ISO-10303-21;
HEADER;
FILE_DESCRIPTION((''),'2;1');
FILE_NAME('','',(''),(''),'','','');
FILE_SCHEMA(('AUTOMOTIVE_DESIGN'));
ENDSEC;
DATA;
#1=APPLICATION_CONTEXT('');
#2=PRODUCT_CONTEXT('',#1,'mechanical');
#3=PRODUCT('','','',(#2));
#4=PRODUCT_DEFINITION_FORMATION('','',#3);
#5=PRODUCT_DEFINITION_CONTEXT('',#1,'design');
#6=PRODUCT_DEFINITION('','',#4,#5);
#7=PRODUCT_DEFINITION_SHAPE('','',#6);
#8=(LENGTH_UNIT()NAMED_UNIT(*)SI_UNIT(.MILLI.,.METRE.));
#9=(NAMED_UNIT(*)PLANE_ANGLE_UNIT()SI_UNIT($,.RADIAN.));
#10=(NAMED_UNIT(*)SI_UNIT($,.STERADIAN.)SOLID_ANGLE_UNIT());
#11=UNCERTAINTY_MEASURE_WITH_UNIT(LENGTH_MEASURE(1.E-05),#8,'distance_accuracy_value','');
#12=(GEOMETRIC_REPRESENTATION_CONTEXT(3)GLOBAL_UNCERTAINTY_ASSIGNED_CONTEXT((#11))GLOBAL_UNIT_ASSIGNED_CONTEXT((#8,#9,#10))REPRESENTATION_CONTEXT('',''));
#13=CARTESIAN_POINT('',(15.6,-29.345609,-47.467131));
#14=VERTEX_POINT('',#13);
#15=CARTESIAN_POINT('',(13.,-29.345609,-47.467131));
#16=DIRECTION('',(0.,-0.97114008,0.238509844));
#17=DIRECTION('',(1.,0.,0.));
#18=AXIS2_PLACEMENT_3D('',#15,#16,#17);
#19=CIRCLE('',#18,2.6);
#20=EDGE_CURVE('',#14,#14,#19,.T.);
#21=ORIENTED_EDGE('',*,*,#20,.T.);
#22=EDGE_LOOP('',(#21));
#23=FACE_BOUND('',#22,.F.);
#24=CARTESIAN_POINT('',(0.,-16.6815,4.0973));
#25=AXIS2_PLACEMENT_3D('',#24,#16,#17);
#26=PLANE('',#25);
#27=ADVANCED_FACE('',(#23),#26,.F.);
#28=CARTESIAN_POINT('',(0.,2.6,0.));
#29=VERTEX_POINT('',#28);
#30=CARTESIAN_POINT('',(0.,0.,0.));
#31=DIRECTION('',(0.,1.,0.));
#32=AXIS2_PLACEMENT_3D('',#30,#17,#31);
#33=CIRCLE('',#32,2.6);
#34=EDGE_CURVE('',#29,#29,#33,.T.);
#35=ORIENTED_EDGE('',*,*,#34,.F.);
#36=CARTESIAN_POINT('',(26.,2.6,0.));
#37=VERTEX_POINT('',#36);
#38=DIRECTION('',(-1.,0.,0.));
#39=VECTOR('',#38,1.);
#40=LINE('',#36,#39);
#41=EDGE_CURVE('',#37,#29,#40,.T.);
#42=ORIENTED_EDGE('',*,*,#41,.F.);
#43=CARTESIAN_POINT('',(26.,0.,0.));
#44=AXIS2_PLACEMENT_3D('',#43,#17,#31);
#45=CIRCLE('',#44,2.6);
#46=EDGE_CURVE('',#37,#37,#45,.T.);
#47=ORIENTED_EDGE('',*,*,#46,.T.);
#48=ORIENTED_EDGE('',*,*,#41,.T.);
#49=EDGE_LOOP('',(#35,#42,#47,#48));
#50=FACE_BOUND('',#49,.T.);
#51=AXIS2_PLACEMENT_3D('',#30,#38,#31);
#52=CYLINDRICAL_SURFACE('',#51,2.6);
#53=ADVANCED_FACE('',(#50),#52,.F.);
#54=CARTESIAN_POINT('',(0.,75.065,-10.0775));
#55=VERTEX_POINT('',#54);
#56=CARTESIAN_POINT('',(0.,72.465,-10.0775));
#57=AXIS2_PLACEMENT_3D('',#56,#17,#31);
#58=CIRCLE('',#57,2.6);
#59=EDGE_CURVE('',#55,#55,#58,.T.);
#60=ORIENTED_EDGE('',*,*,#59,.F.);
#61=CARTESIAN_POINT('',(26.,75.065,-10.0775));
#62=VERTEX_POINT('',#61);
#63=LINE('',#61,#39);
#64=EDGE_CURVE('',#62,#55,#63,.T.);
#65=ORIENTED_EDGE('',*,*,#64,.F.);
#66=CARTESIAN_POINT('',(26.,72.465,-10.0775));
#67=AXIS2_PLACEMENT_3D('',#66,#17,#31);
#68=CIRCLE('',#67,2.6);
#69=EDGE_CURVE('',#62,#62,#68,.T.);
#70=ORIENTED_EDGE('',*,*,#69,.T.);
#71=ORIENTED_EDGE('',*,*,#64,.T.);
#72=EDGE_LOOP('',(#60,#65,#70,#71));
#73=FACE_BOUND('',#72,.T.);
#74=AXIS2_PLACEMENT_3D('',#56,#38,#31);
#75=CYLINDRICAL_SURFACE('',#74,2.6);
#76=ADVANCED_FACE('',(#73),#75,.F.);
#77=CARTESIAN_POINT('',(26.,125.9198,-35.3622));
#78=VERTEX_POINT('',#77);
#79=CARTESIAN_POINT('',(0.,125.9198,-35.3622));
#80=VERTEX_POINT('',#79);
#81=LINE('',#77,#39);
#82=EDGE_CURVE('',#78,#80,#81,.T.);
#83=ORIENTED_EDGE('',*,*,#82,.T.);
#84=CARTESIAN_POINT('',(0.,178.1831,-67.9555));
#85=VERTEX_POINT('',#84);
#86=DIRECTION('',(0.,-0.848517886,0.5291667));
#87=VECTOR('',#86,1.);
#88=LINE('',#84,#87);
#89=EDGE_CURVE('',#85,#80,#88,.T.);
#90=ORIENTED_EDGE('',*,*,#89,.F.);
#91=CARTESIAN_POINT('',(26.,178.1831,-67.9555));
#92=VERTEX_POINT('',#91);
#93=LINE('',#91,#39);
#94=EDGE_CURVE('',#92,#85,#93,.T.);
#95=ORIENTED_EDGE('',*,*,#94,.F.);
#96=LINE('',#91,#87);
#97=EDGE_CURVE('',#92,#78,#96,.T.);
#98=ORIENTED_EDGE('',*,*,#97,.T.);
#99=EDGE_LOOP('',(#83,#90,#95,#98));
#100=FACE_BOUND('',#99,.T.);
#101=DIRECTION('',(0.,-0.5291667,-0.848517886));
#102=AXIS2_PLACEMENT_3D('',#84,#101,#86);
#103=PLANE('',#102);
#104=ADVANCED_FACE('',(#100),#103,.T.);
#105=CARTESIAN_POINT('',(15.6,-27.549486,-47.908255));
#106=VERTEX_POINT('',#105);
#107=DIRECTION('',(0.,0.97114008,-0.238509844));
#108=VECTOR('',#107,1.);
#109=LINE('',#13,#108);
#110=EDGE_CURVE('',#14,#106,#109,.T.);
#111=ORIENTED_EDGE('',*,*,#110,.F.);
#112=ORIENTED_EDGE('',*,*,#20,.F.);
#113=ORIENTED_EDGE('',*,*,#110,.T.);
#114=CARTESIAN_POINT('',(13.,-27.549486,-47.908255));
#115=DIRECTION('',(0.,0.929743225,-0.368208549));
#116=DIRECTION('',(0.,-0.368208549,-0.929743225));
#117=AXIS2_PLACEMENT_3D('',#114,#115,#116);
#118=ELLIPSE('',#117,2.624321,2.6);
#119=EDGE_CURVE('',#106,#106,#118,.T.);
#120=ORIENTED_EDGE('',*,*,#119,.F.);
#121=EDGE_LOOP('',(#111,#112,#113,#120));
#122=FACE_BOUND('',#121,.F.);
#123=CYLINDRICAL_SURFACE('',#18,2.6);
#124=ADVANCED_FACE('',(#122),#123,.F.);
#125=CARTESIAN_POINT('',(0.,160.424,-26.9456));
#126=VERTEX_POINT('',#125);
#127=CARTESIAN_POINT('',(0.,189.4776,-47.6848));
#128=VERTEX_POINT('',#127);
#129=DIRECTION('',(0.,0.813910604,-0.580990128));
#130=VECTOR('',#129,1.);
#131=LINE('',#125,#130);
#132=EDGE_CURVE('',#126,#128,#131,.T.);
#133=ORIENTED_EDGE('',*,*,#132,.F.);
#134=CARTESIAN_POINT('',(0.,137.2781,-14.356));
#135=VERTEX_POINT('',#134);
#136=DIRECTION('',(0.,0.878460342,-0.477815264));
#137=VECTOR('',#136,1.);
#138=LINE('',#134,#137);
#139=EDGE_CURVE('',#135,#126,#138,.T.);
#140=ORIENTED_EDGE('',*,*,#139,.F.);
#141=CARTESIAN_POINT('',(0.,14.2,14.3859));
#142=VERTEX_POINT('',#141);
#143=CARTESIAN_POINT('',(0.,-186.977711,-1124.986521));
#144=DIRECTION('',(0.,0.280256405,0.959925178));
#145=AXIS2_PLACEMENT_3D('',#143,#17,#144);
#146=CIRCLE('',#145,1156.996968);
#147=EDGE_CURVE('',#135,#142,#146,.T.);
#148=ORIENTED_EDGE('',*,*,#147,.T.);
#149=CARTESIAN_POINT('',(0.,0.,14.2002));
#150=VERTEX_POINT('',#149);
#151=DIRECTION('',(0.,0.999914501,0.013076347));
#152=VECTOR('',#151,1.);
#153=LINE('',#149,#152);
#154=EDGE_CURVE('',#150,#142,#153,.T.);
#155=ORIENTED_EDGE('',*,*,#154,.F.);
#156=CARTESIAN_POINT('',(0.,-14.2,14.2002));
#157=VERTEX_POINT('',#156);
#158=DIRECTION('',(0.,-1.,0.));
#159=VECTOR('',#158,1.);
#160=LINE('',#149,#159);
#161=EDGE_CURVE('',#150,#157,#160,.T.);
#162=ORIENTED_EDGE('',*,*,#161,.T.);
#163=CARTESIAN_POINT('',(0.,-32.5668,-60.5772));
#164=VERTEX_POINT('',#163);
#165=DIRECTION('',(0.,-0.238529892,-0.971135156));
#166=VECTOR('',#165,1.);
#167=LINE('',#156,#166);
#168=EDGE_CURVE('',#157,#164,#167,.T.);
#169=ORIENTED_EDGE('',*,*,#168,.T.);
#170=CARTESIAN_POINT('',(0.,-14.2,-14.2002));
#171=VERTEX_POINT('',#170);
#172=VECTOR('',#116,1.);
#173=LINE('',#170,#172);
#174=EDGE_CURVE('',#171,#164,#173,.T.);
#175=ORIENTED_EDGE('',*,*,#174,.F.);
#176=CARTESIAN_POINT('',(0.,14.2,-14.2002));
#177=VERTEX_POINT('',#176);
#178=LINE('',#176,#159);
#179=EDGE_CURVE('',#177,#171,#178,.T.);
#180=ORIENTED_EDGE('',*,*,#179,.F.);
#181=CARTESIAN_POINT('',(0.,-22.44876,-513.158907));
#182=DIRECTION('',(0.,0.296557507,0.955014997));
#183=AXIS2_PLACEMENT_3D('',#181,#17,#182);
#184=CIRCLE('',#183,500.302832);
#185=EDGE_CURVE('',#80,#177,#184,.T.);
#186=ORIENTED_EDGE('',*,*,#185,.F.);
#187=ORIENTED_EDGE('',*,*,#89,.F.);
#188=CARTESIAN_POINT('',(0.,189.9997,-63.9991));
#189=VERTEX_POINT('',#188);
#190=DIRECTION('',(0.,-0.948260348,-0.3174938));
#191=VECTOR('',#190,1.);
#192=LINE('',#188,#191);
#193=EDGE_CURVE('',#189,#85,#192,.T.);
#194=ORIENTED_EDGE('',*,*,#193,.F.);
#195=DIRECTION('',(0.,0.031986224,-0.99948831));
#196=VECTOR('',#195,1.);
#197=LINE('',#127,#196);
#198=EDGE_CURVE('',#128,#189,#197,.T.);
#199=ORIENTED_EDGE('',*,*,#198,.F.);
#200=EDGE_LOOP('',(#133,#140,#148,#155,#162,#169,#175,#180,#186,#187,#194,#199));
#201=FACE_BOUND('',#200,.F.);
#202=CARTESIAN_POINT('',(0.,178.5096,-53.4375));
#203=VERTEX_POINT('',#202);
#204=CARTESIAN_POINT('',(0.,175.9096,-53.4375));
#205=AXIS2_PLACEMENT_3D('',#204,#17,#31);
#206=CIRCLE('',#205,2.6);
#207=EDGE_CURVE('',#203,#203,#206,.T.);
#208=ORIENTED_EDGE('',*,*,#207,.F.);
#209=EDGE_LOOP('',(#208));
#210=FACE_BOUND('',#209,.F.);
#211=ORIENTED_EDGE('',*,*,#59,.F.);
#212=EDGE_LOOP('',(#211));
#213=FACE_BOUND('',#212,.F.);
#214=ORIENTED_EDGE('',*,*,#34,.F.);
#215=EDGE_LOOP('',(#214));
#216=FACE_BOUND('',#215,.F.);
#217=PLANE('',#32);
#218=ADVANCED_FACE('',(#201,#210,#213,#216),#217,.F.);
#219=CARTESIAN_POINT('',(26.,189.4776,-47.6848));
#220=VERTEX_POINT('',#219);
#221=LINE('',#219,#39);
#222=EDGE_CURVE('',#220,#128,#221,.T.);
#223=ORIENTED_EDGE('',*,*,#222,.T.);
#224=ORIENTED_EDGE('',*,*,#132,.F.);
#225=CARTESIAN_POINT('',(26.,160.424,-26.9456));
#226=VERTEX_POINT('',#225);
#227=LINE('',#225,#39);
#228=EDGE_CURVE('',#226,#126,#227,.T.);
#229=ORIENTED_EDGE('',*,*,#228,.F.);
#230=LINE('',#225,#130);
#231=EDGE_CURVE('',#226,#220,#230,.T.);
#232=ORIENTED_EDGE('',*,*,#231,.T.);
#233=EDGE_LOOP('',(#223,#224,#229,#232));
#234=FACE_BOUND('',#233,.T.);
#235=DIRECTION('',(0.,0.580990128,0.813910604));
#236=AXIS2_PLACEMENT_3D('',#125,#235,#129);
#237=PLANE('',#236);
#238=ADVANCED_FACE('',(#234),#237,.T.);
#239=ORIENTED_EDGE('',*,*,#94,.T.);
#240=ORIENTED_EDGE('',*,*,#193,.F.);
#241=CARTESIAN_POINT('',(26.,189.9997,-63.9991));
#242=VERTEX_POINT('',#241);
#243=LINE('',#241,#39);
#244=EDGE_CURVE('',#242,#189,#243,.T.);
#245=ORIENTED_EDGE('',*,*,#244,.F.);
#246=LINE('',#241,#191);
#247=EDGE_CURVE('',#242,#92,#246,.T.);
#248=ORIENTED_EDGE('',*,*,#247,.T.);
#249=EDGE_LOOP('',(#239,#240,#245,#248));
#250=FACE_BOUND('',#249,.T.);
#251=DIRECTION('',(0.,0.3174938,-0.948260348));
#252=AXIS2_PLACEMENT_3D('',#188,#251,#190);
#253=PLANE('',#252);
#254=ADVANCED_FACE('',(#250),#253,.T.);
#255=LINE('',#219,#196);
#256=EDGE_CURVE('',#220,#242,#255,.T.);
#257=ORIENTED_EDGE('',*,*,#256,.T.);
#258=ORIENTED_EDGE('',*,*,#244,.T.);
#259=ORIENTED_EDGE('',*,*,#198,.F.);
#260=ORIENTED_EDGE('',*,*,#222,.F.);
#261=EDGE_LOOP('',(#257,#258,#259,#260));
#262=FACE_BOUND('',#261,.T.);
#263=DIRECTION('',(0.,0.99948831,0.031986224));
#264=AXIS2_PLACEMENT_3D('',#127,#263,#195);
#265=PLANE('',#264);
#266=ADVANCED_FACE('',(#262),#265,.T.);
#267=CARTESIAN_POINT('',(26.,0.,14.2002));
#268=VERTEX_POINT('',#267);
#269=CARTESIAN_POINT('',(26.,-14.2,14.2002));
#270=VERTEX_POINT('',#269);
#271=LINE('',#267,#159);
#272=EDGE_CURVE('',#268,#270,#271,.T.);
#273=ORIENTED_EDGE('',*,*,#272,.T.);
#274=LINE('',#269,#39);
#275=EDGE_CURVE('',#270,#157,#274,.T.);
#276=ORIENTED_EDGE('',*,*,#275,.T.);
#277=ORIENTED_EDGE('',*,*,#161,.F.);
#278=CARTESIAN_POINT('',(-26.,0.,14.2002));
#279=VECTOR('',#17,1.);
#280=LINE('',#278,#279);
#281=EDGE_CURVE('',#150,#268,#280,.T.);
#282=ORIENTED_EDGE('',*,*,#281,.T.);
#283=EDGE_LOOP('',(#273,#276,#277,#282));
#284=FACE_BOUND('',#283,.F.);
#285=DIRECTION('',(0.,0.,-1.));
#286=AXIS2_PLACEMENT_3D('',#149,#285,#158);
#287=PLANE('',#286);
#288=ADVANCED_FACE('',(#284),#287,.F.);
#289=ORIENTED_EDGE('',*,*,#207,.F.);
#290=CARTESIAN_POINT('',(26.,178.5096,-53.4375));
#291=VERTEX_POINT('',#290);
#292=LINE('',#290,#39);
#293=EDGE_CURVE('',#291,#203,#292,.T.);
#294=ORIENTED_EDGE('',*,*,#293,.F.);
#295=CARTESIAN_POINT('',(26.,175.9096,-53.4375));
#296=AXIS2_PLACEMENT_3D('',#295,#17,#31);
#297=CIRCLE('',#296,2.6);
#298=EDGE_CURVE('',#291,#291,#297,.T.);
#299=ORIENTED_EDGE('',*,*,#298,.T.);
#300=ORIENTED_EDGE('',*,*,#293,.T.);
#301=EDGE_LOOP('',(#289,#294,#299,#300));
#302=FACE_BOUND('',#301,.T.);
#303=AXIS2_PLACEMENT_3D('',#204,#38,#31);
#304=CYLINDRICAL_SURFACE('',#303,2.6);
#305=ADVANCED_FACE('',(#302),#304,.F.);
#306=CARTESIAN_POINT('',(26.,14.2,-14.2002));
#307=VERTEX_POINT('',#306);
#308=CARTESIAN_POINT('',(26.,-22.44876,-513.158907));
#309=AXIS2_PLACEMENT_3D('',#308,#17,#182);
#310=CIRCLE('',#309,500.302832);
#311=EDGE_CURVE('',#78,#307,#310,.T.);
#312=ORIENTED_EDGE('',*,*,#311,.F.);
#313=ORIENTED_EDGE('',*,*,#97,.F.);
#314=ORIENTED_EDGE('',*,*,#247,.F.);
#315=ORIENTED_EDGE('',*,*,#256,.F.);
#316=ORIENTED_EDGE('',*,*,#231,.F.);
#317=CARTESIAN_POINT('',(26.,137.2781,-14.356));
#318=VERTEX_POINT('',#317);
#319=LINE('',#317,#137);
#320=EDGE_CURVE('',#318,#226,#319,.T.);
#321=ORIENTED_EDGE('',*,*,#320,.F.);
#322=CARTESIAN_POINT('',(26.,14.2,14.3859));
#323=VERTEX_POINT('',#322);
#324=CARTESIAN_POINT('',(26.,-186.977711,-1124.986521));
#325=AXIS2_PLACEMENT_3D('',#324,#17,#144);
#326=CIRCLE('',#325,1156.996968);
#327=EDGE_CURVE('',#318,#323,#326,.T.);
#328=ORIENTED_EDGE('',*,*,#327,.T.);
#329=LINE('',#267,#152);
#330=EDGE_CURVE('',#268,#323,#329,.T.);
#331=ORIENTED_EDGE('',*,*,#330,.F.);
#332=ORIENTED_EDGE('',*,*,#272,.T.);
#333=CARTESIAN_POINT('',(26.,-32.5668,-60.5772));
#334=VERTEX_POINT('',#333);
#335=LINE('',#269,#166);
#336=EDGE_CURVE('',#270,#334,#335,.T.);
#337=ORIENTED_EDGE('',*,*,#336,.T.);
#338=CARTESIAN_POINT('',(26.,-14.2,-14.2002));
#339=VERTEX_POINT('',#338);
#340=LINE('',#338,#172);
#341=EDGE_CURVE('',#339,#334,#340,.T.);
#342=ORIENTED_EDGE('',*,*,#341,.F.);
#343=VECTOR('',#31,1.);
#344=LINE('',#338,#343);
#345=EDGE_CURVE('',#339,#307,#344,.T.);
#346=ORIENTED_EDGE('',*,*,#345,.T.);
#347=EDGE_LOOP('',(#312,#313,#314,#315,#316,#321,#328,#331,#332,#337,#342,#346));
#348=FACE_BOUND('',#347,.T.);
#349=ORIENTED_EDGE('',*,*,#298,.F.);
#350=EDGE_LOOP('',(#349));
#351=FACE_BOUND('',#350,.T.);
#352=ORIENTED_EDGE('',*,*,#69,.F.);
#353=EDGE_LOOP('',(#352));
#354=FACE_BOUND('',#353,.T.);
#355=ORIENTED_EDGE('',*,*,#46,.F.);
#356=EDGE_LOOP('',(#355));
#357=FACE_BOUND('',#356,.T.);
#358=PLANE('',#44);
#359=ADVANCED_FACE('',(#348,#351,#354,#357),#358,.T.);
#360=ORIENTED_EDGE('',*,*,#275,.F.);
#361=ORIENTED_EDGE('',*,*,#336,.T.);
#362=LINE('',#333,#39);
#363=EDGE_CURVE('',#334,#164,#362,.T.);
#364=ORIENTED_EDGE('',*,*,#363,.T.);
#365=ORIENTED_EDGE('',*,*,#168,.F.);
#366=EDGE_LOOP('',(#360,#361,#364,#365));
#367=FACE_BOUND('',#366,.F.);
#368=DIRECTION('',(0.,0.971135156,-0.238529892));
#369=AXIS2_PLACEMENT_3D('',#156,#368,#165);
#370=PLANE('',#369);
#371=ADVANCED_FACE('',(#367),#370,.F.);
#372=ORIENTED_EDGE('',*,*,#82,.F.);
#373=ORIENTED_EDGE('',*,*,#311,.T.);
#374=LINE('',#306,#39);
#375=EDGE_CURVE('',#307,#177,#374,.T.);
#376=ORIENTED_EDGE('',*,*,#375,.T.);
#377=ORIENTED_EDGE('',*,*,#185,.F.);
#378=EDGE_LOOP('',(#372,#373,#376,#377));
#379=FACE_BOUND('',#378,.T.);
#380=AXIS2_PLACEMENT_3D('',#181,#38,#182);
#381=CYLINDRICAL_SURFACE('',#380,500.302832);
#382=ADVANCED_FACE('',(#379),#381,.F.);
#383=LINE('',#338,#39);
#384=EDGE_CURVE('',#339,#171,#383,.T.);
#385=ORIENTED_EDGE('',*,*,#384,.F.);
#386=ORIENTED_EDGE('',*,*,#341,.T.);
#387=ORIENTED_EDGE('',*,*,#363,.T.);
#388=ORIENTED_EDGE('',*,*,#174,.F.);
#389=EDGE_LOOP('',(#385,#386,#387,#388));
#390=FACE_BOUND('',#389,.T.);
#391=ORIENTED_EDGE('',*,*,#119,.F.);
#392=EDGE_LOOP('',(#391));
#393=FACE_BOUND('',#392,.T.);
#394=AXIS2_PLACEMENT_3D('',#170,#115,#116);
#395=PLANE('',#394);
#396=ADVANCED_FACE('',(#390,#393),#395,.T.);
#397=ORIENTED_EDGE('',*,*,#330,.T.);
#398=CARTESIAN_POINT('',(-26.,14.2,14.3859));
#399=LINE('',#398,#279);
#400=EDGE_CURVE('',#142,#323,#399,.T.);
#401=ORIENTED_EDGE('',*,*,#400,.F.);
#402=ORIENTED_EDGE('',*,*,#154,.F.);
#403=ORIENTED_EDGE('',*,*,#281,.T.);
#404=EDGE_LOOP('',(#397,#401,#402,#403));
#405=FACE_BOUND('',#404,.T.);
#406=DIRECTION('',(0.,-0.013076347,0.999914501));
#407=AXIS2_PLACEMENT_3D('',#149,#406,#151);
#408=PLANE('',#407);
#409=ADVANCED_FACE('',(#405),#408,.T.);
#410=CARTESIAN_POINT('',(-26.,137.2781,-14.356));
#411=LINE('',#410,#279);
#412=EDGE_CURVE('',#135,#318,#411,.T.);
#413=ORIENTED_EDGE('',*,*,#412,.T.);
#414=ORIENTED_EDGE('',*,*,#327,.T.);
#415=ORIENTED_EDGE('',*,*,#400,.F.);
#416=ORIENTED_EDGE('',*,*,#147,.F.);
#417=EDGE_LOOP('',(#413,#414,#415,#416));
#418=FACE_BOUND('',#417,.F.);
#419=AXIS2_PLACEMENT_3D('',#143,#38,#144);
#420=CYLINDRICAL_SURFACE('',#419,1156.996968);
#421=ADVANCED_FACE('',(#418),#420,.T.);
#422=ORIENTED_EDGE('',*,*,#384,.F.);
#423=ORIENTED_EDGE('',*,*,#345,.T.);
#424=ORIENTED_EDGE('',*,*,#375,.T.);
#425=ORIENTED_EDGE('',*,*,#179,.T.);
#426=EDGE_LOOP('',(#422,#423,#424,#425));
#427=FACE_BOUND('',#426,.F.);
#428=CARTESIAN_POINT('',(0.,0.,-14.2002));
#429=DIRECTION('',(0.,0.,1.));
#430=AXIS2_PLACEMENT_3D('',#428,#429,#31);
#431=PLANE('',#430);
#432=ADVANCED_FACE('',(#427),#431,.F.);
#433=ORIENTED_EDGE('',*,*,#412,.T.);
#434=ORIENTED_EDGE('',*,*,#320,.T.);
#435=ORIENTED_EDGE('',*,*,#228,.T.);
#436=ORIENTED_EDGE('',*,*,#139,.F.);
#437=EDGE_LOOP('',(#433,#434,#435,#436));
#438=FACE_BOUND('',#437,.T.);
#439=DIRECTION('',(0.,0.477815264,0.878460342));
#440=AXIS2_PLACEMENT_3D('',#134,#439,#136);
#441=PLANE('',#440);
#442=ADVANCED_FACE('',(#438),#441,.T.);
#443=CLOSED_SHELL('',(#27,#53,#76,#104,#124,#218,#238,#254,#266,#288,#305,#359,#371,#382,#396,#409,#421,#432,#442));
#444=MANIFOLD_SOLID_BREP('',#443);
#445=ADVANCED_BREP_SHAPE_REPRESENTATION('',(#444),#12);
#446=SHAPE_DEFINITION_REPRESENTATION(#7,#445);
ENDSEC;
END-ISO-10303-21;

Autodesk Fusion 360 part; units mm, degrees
sketch "Sketch1" plane through (0, 0, 0) normal (1, 0, 0) x (0, 1, 0)
  circle A0 centre (0, 0) radius 2.6
  circle A1 centre (175.9096, -53.4375) radius 2.6
  line L0 (137.2781, -14.356) -> (160.424, -26.9456)
  line L1 (160.424, -26.9456) -> (189.4776, -47.6848)
  line L2 (189.4776, -47.6848) -> (189.9997, -63.9991)
  line L3 (189.9997, -63.9991) -> (178.1831, -67.9555)
  line L4 (178.1831, -67.9555) -> (125.9198, -35.3622)
  circle A2 centre (72.465, -10.0775) radius 2.6
  line L5 (-14.2, 14.2002) -> (-32.5668, -60.5772)
  line L6 (0, 14.2002) -> (14.2, 14.3859)
  line L7 (0, 14.2002) -> (-14.2, 14.2002)
  line L8 (0, -14.2002) -> (14.2, -14.2002)
  line L9 (0, -14.2002) -> (-14.2, -14.2002)
  line L10 (-14.2, -14.2002) -> (-32.5668, -60.5772)
  arc A3 (137.2781, -14.356) -> (14.2, 14.3859) centre (-186.9778, -1124.9865) ccw
  arc A4 (125.9198, -35.3622) -> (14.2, -14.2002) centre (-22.4488, -513.1589) ccw
  dimension "d1" = 5.2
  dimension "d7" = 5.2
  dimension "d37" = 5.2
  dimension "d40" = 77
extrude "Extrude1" add sketch "Sketch1" along normal mid plane 52
sketch "Sketch2" plane through (0, -16.6815, 4.0973) normal (0, -0.9711, 0.2385) x (1, 0, 0)
  line L0 (26, -66.5968) -> (26, 10.4032)
extrude "Extrude2" cut 1 faces at (-26, 27.9887, 2.1627) along direction (1, 0, 0) blind 26
sketch "Sketch3" plane through (0, -16.6815, 4.0973) normal (0, -0.9711, 0.2385) x (1, 0, 0)
  line L0 (0, 10.4032) -> (0, -66.5968)
  line L1 (0, -66.5968) -> (26, -66.5968)
  line L2 (26, -66.5968) -> (26, 10.4032)
  line L3 (26, 10.4032) -> (0, 10.4032)
  circle A0 centre (13, -53.0968) radius 2.6
  dimension "d53" = 5.2
extrude "Extrude3" cut sketch "Sketch3" against normal blind 5 contours A0
